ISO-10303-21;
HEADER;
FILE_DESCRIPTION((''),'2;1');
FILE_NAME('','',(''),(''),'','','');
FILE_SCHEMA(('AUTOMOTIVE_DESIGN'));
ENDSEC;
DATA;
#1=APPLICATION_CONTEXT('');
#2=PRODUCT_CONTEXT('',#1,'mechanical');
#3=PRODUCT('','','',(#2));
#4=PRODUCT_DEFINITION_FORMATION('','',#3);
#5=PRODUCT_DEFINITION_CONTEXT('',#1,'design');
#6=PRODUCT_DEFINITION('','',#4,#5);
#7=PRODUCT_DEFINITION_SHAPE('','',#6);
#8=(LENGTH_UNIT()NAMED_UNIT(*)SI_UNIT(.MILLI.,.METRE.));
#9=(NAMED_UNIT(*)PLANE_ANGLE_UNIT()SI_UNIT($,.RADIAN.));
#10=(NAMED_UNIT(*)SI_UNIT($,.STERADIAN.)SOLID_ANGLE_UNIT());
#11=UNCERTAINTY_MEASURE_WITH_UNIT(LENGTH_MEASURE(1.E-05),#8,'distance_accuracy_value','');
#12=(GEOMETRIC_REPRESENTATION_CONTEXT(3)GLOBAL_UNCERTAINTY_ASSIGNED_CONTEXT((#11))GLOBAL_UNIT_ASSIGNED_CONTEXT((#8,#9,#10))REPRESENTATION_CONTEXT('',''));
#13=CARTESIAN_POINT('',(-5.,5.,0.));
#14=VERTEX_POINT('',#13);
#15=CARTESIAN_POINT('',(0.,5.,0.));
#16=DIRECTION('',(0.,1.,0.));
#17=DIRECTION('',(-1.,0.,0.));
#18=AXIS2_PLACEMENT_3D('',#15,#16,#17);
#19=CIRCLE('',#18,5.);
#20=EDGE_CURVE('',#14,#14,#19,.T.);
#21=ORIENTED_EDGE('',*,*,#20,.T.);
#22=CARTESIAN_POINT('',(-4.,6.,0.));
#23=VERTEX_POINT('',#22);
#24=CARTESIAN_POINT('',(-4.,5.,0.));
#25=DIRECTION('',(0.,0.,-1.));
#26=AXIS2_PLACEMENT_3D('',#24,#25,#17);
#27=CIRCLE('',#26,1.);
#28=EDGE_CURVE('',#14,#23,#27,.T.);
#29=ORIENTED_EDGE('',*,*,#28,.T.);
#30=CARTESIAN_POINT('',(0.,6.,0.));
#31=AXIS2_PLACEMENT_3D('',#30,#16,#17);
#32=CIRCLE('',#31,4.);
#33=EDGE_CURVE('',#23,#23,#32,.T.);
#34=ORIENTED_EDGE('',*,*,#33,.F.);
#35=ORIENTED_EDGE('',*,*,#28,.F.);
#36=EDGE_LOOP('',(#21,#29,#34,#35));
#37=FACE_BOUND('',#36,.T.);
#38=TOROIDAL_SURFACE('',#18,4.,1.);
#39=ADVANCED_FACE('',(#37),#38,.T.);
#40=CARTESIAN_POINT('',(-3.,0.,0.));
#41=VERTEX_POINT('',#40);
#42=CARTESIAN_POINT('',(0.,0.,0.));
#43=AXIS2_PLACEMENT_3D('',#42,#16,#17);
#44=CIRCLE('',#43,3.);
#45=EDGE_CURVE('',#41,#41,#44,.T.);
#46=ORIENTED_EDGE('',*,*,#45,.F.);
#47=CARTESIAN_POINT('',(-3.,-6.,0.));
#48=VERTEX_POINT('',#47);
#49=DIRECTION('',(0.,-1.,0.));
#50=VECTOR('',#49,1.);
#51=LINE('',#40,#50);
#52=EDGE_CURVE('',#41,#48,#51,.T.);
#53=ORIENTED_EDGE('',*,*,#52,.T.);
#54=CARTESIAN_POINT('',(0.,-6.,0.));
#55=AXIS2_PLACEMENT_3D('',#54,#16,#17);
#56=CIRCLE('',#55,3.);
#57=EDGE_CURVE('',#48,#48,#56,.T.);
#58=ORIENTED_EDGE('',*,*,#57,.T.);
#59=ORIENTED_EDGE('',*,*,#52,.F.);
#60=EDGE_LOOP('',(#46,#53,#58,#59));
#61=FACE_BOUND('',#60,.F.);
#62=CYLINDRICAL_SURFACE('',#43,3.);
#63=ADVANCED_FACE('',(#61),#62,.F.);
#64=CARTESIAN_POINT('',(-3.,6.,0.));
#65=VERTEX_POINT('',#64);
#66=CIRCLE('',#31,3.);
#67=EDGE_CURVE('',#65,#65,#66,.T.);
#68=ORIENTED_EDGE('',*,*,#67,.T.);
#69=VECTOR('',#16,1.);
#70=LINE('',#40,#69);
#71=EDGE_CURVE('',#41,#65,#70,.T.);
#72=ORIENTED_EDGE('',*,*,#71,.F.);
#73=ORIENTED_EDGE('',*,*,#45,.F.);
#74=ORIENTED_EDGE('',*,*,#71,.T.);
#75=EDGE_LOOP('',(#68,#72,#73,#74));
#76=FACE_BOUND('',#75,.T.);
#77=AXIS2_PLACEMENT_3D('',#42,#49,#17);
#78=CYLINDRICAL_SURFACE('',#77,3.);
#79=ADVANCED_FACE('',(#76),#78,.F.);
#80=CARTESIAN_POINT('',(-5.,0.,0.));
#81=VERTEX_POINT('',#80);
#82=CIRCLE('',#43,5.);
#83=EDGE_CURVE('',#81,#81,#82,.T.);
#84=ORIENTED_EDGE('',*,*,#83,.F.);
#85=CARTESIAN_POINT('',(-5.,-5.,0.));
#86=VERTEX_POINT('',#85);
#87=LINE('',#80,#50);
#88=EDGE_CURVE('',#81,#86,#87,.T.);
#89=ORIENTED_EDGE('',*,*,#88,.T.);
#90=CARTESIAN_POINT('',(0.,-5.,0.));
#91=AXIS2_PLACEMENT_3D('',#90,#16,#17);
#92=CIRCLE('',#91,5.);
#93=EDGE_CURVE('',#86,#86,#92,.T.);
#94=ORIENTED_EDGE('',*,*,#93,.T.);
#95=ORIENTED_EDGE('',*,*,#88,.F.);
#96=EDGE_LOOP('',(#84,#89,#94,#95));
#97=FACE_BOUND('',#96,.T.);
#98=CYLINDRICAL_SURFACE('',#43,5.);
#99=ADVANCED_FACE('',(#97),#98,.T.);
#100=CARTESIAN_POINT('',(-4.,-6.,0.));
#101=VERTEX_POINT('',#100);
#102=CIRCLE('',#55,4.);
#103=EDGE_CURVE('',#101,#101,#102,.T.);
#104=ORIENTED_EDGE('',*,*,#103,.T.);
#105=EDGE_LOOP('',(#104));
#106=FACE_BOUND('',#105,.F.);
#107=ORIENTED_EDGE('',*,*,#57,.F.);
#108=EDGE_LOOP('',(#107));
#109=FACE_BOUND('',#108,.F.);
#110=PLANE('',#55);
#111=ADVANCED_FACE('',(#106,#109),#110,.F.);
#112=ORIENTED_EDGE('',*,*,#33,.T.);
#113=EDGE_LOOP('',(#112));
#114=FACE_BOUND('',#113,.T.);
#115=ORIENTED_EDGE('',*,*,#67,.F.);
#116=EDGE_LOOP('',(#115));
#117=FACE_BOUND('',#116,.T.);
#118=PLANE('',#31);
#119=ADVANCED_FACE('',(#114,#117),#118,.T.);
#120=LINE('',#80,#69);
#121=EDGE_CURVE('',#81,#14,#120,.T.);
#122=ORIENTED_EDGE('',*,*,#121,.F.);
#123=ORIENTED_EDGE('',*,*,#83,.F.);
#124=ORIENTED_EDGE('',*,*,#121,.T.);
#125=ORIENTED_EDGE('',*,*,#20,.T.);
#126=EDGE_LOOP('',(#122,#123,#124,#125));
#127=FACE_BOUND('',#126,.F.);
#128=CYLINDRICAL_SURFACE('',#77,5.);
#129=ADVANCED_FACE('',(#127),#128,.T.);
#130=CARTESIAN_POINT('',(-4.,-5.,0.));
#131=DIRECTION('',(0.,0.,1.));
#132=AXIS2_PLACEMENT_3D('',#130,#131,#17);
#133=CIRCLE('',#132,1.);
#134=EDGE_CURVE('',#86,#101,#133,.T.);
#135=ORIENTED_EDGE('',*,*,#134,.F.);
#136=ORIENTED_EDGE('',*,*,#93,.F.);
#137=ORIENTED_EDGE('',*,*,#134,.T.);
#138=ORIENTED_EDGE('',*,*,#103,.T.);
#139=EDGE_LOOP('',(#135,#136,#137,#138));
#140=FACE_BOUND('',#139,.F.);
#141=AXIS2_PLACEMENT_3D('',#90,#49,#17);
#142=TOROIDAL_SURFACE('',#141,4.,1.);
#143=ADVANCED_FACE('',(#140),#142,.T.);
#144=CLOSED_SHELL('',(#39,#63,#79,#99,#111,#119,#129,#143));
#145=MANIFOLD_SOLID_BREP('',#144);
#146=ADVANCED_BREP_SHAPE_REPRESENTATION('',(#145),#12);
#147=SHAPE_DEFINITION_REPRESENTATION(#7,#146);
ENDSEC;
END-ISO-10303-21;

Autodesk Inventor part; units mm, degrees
ref_plane "YZ Plane" through (0, 0, 0) normal (1, 0, 0) x (0, 1, 0)
ref_plane "XZ Plane" through (0, 0, 0) normal (0, 1, 0) x (-1, 0, 0)
ref_plane "XY Plane" through (0, 0, 0) normal (0, 0, 1) x (1, 0, 0)
sketch "Skizze1" plane through (0, 0, 0) normal (0, 1, 0) x (-1, 0, 0)
  circle A0 centre (0, 0) radius 5
  circle A1 centre (0, 0) radius 3
  dimension "d0" = 10
  dimension "d1" = 6
extrude "Extrusion1" add sketch "Skizze1" along normal mid plane 12
fillet "Rundung1" radius 1 2 edges at (5, -6, 0) (5, 6, 0)
properties part number "BromzeFitting" material "Bronze, Guss"
